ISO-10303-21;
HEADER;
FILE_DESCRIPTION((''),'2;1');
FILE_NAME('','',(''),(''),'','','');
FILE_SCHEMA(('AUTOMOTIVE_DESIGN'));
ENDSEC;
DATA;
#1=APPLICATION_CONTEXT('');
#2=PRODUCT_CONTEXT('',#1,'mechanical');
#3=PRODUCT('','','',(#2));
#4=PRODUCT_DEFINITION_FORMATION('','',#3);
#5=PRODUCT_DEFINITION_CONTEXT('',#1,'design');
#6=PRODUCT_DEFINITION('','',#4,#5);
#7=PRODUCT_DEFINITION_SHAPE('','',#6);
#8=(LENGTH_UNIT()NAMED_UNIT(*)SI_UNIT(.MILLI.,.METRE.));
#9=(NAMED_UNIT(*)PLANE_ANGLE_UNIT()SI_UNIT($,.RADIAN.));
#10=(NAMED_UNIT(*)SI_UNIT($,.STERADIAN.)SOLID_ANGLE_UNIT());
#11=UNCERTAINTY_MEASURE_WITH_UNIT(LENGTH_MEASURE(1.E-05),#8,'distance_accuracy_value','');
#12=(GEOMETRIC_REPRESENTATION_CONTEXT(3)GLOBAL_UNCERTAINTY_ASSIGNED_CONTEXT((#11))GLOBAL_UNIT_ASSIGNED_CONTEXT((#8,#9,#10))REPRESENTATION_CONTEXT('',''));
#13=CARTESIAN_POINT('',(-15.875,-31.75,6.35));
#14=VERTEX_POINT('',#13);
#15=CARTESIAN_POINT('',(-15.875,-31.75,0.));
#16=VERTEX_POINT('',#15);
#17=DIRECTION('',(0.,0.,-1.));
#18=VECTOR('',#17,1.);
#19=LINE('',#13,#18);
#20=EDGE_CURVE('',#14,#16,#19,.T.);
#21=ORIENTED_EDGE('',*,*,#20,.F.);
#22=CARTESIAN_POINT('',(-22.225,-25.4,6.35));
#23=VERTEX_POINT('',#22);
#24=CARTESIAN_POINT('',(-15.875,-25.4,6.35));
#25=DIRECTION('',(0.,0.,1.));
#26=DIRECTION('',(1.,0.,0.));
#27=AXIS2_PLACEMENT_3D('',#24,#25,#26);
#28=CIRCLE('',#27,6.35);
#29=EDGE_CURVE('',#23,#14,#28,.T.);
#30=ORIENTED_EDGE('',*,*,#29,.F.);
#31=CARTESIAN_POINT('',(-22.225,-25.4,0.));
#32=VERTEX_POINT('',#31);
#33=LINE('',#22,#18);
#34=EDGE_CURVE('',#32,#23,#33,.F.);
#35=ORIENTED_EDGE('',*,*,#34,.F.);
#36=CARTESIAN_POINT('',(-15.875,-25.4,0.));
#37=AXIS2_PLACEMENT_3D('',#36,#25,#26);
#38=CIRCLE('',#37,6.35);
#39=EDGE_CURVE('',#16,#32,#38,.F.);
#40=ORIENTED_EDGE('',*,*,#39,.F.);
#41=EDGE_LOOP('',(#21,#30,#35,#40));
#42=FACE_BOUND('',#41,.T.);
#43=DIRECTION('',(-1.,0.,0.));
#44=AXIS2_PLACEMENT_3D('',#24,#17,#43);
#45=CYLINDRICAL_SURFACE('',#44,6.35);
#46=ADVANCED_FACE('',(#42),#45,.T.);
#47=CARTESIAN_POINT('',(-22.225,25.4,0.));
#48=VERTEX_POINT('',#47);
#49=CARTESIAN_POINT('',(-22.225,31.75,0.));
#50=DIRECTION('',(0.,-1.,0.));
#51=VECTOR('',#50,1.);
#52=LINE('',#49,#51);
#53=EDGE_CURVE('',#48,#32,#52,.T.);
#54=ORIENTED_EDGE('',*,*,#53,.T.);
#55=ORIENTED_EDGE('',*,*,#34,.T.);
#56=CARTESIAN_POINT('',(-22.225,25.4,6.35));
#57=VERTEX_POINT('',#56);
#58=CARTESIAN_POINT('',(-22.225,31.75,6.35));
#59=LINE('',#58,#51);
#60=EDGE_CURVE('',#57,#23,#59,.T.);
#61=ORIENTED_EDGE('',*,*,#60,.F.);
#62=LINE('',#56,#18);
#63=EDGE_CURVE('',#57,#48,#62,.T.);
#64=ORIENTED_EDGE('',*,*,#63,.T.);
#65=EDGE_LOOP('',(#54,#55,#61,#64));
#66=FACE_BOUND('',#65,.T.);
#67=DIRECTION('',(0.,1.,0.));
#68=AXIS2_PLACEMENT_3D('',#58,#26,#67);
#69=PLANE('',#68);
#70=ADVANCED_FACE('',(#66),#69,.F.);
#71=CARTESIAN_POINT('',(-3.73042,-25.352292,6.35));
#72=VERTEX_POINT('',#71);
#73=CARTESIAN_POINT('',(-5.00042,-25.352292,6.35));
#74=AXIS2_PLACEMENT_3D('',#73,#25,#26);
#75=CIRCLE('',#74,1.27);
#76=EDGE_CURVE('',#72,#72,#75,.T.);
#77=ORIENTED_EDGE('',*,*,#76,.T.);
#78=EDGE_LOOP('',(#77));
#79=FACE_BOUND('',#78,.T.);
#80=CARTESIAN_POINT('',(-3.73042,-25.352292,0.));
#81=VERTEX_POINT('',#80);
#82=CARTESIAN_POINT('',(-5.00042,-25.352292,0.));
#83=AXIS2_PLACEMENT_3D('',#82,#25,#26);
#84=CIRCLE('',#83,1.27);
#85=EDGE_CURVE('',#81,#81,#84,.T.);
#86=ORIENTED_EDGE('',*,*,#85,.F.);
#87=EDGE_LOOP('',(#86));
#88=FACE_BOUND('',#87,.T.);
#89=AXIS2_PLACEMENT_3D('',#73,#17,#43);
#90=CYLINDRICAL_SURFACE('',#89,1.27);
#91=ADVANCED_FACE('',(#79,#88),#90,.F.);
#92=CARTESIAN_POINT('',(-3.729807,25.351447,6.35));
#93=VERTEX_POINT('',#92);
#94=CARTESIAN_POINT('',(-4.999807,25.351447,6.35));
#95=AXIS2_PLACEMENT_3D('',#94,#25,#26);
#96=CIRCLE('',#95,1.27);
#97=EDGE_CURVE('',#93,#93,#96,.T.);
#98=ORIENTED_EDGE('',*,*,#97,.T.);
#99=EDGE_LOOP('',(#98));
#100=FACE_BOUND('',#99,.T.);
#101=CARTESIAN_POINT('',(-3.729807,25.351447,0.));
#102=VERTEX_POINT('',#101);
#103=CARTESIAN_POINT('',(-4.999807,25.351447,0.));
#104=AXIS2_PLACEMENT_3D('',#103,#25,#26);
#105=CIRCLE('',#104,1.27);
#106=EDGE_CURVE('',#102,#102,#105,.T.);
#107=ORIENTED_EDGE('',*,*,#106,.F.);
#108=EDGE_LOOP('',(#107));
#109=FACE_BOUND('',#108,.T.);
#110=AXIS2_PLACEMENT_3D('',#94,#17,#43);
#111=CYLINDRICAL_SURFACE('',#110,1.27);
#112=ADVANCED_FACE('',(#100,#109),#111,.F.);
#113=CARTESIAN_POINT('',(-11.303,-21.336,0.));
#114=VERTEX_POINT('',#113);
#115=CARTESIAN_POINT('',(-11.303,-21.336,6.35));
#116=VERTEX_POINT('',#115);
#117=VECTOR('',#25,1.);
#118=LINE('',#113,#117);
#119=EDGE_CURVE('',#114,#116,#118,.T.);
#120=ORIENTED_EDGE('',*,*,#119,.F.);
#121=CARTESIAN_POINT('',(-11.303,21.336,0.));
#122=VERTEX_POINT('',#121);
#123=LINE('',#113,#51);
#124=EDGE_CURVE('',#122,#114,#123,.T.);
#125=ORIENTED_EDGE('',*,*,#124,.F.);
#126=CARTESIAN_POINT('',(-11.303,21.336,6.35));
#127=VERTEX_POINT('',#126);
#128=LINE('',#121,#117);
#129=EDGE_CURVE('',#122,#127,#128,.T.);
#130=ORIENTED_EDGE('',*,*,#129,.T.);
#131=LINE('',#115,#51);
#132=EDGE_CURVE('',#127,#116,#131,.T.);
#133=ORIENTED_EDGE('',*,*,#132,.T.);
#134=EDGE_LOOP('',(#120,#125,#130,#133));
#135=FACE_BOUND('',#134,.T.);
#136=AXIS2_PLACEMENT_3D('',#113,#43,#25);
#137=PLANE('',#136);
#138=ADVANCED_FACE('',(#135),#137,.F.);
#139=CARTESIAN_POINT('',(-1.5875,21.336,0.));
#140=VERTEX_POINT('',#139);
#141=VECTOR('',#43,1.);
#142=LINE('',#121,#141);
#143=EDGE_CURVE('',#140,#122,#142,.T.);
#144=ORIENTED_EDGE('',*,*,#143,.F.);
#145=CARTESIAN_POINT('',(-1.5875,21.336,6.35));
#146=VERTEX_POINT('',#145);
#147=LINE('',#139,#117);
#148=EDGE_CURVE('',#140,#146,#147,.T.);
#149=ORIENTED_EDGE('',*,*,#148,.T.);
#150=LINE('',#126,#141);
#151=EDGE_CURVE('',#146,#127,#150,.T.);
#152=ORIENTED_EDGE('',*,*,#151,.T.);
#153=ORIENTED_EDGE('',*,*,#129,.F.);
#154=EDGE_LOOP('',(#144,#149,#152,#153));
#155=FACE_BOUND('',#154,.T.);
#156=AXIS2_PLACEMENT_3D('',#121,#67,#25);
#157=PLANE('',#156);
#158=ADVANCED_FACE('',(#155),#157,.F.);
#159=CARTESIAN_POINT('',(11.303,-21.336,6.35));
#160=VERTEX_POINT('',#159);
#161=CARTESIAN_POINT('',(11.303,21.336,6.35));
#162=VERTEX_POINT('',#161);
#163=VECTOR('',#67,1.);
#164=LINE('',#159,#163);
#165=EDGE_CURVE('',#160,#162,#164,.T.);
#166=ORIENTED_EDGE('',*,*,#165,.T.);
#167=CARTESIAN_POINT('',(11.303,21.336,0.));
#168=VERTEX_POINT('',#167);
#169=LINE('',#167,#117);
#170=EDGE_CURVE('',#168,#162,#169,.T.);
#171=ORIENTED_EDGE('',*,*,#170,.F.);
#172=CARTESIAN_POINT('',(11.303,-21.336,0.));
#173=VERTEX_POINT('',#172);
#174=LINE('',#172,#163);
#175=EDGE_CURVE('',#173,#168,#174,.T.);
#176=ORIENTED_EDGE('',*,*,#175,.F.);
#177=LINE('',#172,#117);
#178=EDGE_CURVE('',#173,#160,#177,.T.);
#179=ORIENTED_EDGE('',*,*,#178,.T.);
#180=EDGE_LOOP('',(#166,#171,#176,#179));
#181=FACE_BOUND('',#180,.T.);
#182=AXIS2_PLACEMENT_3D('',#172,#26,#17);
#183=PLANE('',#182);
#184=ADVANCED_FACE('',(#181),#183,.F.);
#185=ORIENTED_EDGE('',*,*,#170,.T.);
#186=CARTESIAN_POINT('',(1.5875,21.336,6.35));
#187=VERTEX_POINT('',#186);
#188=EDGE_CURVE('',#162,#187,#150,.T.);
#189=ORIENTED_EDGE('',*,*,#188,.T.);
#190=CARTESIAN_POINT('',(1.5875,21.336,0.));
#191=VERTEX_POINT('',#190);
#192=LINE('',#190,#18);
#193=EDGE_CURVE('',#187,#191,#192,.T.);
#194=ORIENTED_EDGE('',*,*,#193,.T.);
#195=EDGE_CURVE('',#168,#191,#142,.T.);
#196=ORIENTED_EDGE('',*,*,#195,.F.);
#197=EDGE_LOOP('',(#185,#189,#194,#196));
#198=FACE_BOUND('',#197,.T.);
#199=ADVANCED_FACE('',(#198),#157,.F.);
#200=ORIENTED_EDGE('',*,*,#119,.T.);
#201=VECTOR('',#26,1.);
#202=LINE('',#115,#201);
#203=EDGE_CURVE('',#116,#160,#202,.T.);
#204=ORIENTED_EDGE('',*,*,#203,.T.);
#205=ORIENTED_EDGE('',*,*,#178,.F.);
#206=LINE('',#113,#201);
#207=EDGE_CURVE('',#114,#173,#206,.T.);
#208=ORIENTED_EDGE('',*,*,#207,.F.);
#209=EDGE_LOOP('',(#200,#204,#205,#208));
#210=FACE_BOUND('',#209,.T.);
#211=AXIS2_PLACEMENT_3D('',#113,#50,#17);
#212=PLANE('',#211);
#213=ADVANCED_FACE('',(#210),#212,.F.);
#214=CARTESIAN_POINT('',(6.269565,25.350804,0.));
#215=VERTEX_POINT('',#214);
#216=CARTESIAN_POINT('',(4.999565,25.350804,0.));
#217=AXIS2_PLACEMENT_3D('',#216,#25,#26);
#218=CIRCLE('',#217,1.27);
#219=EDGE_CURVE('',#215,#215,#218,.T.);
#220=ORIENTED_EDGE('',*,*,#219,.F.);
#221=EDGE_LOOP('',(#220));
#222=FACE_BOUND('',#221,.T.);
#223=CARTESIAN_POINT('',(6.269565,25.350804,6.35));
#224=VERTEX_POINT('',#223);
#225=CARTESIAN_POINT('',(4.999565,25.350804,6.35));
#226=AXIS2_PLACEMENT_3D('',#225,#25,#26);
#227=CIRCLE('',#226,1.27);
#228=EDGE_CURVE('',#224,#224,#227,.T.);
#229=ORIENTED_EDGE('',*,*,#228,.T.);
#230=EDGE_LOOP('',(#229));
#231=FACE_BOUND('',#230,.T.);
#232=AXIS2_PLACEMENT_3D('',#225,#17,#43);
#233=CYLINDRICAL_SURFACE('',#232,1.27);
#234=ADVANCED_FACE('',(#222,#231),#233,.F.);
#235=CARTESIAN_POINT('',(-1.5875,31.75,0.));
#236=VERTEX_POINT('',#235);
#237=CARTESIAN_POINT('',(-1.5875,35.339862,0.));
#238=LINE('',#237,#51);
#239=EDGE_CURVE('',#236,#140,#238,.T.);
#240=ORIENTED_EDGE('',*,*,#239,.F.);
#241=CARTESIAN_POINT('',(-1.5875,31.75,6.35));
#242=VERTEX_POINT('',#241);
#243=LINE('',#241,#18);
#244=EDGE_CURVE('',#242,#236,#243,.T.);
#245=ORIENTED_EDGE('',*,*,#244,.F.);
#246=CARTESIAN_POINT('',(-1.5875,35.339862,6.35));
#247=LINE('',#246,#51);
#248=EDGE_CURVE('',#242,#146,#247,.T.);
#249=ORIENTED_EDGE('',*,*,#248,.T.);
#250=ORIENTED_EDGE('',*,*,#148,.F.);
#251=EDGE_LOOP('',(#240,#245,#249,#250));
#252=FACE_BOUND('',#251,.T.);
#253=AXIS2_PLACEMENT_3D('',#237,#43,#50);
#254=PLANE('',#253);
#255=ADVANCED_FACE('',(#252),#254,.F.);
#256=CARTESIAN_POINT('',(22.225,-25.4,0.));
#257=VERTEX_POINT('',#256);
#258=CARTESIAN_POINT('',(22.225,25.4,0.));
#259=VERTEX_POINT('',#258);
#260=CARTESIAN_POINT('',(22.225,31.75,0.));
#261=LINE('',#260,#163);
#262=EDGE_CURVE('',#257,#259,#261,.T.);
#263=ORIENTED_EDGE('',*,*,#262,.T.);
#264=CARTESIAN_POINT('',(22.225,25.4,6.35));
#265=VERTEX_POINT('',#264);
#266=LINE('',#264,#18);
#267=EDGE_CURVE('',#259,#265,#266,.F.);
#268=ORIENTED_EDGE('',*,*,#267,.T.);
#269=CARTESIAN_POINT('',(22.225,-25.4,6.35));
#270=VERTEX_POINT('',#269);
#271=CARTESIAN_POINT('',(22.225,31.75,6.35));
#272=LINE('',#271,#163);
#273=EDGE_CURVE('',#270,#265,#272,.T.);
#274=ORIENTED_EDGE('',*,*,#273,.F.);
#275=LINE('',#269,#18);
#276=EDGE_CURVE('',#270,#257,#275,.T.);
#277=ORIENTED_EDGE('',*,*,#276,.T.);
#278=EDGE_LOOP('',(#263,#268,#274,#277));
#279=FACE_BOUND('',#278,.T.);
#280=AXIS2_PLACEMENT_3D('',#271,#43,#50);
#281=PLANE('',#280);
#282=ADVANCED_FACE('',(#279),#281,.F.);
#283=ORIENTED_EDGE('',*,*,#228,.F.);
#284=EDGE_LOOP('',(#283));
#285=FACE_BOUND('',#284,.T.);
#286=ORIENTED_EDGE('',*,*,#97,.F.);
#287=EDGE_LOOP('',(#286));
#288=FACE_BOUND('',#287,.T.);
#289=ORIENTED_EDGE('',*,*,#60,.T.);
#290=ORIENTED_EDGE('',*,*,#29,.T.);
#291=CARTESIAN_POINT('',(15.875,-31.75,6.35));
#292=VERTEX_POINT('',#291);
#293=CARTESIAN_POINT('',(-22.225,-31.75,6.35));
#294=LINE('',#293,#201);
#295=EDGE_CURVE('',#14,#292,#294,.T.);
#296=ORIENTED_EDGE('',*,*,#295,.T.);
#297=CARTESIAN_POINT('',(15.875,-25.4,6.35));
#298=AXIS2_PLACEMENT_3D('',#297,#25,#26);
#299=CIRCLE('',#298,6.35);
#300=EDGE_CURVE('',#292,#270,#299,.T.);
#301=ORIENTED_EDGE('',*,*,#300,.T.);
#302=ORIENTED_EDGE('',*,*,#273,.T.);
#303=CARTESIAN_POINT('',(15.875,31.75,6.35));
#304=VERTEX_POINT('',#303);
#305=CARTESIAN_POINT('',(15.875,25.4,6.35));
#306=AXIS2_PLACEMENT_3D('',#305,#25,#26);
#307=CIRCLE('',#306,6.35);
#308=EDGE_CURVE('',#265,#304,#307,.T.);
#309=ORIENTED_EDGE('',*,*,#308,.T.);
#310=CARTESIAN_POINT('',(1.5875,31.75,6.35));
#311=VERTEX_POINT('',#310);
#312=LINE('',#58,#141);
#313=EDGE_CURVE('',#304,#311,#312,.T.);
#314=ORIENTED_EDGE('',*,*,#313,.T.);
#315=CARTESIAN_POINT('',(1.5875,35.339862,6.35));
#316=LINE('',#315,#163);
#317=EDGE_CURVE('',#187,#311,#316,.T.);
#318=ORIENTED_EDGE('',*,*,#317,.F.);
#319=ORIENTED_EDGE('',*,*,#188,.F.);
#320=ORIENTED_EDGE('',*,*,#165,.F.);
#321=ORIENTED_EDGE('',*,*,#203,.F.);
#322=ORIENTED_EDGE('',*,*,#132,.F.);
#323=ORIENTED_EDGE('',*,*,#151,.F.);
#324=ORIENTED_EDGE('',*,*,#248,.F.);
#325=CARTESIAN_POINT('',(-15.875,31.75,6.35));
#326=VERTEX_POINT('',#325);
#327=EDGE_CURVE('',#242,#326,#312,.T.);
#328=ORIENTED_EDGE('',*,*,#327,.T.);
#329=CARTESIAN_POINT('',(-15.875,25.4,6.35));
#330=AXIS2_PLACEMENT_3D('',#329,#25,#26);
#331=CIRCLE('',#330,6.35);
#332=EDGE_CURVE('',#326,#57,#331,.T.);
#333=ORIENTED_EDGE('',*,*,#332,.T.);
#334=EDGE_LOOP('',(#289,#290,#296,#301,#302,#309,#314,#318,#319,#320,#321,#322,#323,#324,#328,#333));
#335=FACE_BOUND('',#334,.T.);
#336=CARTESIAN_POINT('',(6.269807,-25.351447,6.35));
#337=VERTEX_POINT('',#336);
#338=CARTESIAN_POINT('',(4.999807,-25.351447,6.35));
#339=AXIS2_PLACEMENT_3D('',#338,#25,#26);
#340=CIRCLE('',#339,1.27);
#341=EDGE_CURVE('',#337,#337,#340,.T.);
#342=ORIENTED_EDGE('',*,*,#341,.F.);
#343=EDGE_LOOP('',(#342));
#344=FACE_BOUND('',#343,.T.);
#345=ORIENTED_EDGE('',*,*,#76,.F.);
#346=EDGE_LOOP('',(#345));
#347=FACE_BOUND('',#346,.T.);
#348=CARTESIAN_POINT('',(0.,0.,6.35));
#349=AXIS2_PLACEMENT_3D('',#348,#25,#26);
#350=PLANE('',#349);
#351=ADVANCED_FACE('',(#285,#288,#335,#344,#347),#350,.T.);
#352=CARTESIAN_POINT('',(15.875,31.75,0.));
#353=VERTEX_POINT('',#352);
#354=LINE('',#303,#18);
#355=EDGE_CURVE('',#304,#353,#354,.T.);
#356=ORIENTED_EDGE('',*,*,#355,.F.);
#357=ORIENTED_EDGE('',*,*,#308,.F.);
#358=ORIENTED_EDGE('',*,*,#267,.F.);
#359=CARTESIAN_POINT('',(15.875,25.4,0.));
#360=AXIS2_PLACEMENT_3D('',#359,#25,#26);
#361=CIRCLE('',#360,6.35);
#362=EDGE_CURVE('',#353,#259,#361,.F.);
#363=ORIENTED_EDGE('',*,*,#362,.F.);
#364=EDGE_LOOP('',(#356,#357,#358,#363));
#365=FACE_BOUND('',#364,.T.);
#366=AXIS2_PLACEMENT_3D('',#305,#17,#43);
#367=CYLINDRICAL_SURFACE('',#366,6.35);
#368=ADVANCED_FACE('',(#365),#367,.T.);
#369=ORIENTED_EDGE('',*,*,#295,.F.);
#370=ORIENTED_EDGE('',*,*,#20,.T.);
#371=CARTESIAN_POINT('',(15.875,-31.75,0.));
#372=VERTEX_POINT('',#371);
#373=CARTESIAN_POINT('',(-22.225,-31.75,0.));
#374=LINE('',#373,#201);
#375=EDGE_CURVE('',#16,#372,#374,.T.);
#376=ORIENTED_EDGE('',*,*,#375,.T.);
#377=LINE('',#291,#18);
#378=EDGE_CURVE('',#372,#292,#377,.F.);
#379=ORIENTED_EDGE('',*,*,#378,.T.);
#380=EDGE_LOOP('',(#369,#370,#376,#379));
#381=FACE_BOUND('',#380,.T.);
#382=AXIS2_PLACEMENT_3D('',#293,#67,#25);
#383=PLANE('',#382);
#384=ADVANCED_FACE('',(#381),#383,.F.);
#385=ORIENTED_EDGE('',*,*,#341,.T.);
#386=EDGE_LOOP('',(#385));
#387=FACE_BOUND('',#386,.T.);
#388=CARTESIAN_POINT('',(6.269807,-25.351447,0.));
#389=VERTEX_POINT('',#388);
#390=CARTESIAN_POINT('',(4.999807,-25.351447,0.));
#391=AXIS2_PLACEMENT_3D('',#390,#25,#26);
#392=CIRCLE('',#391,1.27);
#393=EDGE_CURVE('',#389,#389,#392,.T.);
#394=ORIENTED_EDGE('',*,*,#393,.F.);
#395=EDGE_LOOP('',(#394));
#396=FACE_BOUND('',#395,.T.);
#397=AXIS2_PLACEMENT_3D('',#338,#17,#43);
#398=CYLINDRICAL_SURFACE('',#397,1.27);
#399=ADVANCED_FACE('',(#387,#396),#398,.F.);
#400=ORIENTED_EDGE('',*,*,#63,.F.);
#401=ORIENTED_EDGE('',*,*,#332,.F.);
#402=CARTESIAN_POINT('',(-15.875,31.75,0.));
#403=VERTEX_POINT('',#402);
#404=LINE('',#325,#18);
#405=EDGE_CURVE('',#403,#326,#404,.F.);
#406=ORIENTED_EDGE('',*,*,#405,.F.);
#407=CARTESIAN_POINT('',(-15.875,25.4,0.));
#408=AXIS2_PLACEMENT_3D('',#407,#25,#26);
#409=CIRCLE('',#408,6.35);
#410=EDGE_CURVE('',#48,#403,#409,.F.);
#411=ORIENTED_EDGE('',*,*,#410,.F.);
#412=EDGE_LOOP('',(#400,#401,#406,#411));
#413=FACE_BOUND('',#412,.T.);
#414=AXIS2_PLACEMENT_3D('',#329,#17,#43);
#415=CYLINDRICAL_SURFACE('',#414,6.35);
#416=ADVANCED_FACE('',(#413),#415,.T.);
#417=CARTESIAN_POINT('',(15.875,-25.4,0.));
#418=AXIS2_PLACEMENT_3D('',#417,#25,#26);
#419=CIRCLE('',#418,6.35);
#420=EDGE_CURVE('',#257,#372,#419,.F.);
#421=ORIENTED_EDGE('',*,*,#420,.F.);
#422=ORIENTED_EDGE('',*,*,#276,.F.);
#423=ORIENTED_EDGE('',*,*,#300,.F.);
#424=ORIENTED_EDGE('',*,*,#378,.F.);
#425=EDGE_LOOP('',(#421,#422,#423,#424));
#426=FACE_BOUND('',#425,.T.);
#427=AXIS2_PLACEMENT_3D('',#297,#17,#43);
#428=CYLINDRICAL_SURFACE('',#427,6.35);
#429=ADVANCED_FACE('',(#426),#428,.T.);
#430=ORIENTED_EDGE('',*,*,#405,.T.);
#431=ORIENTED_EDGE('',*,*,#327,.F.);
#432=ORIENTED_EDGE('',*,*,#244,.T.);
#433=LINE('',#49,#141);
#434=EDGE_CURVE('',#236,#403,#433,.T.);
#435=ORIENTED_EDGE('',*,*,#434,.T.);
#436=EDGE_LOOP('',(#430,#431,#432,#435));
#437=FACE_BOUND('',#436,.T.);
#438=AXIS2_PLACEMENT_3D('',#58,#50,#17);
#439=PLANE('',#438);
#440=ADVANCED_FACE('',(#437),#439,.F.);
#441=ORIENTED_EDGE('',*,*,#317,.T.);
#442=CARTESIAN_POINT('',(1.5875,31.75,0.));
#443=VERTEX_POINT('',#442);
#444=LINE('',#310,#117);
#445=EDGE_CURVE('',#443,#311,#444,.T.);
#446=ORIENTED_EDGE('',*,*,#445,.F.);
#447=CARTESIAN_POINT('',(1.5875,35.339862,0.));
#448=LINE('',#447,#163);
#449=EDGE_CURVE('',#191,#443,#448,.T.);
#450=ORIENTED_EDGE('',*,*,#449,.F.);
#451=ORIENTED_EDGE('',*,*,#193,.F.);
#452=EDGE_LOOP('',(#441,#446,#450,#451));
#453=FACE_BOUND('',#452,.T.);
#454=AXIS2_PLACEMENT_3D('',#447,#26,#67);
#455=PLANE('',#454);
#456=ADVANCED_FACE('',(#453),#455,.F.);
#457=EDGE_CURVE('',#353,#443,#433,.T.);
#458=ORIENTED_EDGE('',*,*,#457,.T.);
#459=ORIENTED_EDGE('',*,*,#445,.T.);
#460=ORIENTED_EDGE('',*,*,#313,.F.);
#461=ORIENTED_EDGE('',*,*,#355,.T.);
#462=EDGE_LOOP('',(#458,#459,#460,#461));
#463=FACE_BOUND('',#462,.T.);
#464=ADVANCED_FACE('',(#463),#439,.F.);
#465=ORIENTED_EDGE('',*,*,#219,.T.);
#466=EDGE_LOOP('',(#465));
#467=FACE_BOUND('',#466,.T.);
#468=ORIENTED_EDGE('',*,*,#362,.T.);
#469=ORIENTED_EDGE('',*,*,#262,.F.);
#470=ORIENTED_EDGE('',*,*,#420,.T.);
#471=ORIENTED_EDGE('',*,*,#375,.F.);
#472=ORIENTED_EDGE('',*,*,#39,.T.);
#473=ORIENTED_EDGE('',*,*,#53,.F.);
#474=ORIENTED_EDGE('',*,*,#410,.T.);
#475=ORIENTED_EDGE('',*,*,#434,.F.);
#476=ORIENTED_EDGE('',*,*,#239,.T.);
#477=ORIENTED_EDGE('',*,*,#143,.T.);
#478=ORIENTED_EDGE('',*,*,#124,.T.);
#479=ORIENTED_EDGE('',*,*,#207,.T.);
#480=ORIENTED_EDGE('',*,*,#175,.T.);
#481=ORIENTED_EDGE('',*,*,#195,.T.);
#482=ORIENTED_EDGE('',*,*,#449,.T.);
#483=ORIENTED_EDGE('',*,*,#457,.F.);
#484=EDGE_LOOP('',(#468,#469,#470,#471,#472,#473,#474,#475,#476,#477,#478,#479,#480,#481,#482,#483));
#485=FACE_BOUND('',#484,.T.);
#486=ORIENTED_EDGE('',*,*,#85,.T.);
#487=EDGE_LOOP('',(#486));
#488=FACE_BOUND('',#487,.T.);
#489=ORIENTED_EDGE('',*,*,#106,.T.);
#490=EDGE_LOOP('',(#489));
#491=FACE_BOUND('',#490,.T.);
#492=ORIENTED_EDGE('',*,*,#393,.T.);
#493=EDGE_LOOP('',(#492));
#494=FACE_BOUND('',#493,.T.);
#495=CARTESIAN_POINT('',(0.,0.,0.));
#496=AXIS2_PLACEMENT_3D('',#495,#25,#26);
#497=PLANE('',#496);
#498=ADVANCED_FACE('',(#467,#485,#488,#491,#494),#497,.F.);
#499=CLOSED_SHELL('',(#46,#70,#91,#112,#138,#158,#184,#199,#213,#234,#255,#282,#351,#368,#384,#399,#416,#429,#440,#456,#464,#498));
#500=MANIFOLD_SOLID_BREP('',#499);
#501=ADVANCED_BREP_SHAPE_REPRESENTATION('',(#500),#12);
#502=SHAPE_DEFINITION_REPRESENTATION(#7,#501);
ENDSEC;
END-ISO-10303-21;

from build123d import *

# Parameters (mm, degrees)
SKETCH1_W           = 44.45
SKETCH1_H           = 63.5
SKETCH1_R           = 1.27
BOSS_EXTRUDE1_DEPTH = 6.35
SKETCH2_W           = 22.606
SKETCH2_H           = 42.672
CUT_EXTRUDE1_DEPTH  = 7.35
SKETCH3_W           = 3.175
SKETCH3_H           = 16.248427567
CUT_EXTRUDE2_DEPTH  = 7.35
FILLET1_R           = 6.35


with BuildPart() as part:
    # Sketch1 → Boss-Extrude1 (new body)
    with BuildSketch(Plane.XY):
        Rectangle(SKETCH1_W, SKETCH1_H)
        with Locations((-4.999806813, 25.351447061)):
            Circle(SKETCH1_R, mode=Mode.SUBTRACT)
        with Locations((4.999565199, 25.350804136)):
            Circle(SKETCH1_R, mode=Mode.SUBTRACT)
        with Locations((-5.000419542, -25.352292054)):
            Circle(SKETCH1_R, mode=Mode.SUBTRACT)
        with Locations((4.999806813, -25.351447061)):
            Circle(SKETCH1_R, mode=Mode.SUBTRACT)
    extrude(amount=BOSS_EXTRUDE1_DEPTH)

    # Sketch2 → Cut-Extrude1 (cut, through all)
    with BuildSketch(Plane.XY.offset(6.35)):
        Rectangle(SKETCH2_W, SKETCH2_H)
    extrude(amount=-CUT_EXTRUDE1_DEPTH, mode=Mode.SUBTRACT)

    # Sketch3 → Cut-Extrude2 (cut, through all)
    with BuildSketch(Plane.XY.offset(6.35)):
        with Locations((0, 27.215647874)):
            Rectangle(SKETCH3_W, SKETCH3_H)
    extrude(amount=-CUT_EXTRUDE2_DEPTH, mode=Mode.SUBTRACT)

    # Fillet1
    fillet1_edges = [part.edges().sort_by_distance(p)[0] for p in [
        (-22.225, 31.75, 3.175),
        (22.225, 31.75, 3.175),
        (22.225, -31.75, 3.175),
        (-22.225, -31.75, 3.175),
    ]]
    fillet(fillet1_edges, radius=FILLET1_R)


solid = part.part
